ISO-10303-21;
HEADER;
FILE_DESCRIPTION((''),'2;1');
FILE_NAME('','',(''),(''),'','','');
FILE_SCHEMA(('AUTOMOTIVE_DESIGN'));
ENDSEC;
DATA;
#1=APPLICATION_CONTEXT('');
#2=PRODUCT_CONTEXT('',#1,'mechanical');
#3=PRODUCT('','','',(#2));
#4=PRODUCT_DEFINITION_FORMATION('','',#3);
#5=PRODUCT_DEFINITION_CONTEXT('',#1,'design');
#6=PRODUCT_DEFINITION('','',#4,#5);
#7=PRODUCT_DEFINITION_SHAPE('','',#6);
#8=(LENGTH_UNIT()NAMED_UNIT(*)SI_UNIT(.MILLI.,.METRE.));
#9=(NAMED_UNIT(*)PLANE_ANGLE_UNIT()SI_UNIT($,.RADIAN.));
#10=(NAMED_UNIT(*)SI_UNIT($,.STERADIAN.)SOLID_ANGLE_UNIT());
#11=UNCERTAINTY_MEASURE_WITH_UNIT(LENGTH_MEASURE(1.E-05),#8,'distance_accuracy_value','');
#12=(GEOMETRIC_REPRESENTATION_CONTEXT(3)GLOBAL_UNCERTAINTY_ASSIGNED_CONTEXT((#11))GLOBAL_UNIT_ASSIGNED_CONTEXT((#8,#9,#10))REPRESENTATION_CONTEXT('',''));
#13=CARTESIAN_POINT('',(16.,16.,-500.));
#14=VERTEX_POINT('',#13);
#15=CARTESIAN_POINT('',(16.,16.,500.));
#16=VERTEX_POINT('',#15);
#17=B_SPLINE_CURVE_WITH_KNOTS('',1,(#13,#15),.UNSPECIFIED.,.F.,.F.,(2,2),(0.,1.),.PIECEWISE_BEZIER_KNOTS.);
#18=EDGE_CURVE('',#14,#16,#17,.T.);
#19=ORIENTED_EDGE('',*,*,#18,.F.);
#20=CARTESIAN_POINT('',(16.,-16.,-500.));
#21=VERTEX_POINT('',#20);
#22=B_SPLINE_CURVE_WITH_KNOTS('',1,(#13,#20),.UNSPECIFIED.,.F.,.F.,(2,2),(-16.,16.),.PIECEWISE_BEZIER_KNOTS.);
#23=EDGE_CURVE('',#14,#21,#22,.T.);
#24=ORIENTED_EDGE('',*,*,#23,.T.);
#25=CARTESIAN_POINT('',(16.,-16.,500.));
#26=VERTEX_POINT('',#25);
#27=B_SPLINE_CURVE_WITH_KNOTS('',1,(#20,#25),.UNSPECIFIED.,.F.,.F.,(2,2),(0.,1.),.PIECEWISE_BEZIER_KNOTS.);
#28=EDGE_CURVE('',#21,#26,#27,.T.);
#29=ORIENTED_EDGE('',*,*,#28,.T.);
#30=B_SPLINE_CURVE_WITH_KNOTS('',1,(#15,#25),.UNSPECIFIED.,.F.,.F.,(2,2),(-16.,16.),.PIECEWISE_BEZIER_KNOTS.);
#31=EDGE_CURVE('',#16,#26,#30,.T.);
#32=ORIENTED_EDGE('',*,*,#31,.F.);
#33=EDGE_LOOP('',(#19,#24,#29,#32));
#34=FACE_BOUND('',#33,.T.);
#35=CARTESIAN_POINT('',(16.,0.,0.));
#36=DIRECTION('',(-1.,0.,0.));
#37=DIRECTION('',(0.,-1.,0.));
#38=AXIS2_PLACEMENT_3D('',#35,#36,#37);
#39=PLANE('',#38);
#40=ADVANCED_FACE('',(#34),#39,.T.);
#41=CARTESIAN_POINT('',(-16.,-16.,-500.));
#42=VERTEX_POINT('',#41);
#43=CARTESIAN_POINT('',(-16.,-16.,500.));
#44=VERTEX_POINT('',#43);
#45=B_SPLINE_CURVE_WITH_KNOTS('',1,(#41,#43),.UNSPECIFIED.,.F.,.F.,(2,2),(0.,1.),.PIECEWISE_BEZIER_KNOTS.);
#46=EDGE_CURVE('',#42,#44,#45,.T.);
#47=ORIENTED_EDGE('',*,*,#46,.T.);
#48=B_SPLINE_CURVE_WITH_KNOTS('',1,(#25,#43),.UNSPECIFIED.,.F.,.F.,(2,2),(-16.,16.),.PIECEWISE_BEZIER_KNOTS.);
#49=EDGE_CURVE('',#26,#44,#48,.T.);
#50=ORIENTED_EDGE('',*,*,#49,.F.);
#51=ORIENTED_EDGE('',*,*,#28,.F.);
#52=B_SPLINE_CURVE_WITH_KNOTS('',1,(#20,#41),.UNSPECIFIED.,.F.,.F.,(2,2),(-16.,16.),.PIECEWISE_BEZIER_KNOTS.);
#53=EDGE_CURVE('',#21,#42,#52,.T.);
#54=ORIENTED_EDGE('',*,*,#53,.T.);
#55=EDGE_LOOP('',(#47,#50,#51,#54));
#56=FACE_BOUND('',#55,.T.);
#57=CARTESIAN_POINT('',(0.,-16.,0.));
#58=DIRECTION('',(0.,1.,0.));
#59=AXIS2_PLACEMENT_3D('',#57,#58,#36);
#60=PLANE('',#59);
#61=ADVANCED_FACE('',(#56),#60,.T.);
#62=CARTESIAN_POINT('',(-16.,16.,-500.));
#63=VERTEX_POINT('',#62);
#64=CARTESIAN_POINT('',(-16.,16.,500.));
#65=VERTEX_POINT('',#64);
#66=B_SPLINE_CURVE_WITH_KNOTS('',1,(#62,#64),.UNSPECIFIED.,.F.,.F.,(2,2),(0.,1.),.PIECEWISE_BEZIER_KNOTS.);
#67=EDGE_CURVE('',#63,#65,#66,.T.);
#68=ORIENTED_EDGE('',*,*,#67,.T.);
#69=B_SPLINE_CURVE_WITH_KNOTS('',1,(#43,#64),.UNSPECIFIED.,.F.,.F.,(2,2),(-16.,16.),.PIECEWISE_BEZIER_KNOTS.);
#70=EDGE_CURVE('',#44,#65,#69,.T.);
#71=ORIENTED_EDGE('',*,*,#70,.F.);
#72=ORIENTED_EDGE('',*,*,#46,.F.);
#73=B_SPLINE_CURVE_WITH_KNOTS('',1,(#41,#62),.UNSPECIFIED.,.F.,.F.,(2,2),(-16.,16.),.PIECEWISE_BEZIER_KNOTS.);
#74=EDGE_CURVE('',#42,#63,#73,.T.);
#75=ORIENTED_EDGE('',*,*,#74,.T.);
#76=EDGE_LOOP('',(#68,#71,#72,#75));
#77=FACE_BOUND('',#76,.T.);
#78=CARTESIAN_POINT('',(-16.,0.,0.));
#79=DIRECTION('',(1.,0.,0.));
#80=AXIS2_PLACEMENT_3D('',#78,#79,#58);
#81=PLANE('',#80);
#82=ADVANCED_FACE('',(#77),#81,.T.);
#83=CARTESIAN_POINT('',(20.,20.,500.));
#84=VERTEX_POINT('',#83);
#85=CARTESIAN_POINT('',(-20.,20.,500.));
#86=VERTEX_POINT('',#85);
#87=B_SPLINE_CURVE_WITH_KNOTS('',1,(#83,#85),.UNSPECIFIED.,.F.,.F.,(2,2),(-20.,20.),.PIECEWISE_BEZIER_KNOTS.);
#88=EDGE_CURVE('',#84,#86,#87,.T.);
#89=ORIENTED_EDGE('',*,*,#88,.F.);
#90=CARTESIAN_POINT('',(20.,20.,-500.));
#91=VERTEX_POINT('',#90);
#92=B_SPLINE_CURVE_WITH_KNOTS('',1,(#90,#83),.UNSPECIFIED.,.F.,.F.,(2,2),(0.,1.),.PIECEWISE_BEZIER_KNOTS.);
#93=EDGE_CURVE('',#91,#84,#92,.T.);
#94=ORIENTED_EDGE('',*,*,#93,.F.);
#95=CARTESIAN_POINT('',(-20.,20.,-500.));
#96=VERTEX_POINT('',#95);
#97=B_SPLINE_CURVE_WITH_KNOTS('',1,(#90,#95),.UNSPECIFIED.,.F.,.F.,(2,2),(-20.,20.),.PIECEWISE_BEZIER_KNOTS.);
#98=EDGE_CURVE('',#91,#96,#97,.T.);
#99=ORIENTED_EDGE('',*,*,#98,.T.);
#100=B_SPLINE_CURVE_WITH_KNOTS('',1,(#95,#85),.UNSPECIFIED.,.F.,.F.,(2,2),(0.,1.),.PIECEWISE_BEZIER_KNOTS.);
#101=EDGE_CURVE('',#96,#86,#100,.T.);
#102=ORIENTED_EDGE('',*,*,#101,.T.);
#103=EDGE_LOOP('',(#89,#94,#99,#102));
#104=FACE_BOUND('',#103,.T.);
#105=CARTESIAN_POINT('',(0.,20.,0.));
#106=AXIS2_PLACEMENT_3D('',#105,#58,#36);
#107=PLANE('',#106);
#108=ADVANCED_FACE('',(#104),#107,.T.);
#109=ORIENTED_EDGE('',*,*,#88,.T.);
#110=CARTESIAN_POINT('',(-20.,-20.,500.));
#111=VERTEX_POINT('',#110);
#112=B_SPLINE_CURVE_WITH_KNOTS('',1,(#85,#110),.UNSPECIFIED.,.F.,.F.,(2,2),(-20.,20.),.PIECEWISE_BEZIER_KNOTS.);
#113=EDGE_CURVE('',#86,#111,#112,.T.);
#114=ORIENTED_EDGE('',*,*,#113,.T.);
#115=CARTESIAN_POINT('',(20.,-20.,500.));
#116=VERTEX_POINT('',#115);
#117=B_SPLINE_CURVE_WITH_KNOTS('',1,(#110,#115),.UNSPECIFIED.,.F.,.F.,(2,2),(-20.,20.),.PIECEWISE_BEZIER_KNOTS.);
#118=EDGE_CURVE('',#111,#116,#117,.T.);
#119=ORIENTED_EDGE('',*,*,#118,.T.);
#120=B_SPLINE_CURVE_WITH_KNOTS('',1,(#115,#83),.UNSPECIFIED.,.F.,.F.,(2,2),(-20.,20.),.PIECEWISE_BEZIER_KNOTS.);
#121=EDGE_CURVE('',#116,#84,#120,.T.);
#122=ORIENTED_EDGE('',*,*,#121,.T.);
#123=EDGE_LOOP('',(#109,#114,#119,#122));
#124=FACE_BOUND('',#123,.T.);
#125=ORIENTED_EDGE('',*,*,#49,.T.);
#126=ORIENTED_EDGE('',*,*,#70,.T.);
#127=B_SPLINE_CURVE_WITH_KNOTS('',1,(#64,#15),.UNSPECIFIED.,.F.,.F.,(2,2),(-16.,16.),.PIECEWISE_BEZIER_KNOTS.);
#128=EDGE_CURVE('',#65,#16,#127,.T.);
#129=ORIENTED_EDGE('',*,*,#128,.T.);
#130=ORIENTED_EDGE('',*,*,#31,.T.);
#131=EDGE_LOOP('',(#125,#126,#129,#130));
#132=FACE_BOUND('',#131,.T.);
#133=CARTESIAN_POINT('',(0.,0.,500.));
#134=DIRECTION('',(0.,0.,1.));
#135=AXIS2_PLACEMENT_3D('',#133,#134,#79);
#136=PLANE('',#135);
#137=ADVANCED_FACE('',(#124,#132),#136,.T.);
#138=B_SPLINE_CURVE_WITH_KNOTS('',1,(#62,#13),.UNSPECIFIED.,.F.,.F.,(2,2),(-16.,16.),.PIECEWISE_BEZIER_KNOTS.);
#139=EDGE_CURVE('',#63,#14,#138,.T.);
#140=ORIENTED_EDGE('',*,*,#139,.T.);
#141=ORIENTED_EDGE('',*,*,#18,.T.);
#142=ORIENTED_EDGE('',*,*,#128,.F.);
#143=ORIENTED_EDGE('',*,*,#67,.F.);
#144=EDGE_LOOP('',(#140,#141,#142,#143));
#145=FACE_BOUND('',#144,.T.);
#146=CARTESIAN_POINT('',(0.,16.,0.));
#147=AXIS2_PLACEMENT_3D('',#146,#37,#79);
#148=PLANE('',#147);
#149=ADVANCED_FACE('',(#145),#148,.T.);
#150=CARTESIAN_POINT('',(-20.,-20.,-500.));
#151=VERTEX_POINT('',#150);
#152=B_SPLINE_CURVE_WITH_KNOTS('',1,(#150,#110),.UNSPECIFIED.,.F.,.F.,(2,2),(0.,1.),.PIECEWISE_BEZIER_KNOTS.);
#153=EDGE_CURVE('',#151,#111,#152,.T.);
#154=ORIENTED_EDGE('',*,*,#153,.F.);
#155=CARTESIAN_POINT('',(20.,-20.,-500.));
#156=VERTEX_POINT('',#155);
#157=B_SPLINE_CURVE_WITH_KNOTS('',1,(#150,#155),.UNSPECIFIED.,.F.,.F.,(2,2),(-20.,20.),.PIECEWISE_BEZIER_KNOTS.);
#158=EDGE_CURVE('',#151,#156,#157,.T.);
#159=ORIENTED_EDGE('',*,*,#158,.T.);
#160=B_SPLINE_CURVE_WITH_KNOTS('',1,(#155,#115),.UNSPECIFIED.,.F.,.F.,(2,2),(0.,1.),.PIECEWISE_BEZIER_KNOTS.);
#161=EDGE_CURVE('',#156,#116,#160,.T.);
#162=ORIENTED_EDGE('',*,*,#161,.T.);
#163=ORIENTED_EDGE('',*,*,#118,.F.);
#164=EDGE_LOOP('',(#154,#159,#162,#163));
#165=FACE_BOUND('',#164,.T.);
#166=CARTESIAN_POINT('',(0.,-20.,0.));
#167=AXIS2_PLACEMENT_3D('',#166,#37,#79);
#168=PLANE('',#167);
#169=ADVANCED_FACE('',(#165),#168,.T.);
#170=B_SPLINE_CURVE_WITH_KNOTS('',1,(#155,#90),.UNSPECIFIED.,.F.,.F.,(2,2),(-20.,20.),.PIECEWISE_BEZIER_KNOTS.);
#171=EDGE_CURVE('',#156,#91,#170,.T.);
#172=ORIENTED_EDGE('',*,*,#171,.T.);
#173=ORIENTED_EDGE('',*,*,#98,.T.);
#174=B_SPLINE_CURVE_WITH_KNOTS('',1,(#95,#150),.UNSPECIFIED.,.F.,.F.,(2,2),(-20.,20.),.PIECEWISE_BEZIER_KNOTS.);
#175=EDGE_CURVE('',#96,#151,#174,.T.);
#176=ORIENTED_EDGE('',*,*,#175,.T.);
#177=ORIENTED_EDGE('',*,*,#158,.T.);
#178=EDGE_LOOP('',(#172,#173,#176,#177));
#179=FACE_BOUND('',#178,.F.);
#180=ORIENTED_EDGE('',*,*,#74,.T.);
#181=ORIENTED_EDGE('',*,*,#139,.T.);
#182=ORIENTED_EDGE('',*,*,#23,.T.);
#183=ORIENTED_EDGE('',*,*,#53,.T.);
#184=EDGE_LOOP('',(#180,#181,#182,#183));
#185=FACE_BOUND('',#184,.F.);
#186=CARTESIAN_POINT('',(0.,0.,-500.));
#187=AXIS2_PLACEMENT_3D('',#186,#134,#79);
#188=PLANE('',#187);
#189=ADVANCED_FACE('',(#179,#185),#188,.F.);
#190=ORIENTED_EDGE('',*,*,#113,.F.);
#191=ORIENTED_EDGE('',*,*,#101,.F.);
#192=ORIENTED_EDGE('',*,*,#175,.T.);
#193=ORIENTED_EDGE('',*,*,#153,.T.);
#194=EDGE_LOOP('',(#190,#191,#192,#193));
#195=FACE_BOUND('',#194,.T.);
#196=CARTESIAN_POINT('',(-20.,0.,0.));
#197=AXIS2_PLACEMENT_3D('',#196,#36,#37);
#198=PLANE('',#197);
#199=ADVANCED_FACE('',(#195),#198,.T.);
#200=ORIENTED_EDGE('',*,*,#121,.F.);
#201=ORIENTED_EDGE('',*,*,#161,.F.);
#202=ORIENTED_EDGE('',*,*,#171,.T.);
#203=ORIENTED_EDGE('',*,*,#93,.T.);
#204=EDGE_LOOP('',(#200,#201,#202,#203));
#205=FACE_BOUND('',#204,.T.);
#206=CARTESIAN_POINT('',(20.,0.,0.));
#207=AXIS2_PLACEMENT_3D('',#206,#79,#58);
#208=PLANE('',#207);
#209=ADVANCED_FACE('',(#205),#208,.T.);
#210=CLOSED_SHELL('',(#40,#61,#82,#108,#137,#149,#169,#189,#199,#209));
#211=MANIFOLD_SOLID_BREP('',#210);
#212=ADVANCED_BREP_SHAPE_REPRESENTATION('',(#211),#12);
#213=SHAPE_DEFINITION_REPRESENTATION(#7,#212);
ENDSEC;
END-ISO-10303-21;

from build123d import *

# Parameters (mm, degrees)
SKETCH1_W   = 40
SKETCH1_H   = 40
SKETCH1_W_2 = 32
SKETCH1_H_2 = 32


with BuildPart() as part:
    # Sweep1: sweep along a curve in space
    with BuildLine() as sweep1_path:
        add(Edge.make_bspline(
            [(0, 0, -500), (0, 0, 500)],
            knots=[0, 0, 1, 1], degree=1))
    # Sketch1 → Sweep1 (sweep)
    with BuildSketch(Plane.XY):
        Rectangle(SKETCH1_W, SKETCH1_H)
        Rectangle(SKETCH1_W_2, SKETCH1_H_2, mode=Mode.SUBTRACT)
    sweep(path=sweep1_path.line)


solid = part.part
